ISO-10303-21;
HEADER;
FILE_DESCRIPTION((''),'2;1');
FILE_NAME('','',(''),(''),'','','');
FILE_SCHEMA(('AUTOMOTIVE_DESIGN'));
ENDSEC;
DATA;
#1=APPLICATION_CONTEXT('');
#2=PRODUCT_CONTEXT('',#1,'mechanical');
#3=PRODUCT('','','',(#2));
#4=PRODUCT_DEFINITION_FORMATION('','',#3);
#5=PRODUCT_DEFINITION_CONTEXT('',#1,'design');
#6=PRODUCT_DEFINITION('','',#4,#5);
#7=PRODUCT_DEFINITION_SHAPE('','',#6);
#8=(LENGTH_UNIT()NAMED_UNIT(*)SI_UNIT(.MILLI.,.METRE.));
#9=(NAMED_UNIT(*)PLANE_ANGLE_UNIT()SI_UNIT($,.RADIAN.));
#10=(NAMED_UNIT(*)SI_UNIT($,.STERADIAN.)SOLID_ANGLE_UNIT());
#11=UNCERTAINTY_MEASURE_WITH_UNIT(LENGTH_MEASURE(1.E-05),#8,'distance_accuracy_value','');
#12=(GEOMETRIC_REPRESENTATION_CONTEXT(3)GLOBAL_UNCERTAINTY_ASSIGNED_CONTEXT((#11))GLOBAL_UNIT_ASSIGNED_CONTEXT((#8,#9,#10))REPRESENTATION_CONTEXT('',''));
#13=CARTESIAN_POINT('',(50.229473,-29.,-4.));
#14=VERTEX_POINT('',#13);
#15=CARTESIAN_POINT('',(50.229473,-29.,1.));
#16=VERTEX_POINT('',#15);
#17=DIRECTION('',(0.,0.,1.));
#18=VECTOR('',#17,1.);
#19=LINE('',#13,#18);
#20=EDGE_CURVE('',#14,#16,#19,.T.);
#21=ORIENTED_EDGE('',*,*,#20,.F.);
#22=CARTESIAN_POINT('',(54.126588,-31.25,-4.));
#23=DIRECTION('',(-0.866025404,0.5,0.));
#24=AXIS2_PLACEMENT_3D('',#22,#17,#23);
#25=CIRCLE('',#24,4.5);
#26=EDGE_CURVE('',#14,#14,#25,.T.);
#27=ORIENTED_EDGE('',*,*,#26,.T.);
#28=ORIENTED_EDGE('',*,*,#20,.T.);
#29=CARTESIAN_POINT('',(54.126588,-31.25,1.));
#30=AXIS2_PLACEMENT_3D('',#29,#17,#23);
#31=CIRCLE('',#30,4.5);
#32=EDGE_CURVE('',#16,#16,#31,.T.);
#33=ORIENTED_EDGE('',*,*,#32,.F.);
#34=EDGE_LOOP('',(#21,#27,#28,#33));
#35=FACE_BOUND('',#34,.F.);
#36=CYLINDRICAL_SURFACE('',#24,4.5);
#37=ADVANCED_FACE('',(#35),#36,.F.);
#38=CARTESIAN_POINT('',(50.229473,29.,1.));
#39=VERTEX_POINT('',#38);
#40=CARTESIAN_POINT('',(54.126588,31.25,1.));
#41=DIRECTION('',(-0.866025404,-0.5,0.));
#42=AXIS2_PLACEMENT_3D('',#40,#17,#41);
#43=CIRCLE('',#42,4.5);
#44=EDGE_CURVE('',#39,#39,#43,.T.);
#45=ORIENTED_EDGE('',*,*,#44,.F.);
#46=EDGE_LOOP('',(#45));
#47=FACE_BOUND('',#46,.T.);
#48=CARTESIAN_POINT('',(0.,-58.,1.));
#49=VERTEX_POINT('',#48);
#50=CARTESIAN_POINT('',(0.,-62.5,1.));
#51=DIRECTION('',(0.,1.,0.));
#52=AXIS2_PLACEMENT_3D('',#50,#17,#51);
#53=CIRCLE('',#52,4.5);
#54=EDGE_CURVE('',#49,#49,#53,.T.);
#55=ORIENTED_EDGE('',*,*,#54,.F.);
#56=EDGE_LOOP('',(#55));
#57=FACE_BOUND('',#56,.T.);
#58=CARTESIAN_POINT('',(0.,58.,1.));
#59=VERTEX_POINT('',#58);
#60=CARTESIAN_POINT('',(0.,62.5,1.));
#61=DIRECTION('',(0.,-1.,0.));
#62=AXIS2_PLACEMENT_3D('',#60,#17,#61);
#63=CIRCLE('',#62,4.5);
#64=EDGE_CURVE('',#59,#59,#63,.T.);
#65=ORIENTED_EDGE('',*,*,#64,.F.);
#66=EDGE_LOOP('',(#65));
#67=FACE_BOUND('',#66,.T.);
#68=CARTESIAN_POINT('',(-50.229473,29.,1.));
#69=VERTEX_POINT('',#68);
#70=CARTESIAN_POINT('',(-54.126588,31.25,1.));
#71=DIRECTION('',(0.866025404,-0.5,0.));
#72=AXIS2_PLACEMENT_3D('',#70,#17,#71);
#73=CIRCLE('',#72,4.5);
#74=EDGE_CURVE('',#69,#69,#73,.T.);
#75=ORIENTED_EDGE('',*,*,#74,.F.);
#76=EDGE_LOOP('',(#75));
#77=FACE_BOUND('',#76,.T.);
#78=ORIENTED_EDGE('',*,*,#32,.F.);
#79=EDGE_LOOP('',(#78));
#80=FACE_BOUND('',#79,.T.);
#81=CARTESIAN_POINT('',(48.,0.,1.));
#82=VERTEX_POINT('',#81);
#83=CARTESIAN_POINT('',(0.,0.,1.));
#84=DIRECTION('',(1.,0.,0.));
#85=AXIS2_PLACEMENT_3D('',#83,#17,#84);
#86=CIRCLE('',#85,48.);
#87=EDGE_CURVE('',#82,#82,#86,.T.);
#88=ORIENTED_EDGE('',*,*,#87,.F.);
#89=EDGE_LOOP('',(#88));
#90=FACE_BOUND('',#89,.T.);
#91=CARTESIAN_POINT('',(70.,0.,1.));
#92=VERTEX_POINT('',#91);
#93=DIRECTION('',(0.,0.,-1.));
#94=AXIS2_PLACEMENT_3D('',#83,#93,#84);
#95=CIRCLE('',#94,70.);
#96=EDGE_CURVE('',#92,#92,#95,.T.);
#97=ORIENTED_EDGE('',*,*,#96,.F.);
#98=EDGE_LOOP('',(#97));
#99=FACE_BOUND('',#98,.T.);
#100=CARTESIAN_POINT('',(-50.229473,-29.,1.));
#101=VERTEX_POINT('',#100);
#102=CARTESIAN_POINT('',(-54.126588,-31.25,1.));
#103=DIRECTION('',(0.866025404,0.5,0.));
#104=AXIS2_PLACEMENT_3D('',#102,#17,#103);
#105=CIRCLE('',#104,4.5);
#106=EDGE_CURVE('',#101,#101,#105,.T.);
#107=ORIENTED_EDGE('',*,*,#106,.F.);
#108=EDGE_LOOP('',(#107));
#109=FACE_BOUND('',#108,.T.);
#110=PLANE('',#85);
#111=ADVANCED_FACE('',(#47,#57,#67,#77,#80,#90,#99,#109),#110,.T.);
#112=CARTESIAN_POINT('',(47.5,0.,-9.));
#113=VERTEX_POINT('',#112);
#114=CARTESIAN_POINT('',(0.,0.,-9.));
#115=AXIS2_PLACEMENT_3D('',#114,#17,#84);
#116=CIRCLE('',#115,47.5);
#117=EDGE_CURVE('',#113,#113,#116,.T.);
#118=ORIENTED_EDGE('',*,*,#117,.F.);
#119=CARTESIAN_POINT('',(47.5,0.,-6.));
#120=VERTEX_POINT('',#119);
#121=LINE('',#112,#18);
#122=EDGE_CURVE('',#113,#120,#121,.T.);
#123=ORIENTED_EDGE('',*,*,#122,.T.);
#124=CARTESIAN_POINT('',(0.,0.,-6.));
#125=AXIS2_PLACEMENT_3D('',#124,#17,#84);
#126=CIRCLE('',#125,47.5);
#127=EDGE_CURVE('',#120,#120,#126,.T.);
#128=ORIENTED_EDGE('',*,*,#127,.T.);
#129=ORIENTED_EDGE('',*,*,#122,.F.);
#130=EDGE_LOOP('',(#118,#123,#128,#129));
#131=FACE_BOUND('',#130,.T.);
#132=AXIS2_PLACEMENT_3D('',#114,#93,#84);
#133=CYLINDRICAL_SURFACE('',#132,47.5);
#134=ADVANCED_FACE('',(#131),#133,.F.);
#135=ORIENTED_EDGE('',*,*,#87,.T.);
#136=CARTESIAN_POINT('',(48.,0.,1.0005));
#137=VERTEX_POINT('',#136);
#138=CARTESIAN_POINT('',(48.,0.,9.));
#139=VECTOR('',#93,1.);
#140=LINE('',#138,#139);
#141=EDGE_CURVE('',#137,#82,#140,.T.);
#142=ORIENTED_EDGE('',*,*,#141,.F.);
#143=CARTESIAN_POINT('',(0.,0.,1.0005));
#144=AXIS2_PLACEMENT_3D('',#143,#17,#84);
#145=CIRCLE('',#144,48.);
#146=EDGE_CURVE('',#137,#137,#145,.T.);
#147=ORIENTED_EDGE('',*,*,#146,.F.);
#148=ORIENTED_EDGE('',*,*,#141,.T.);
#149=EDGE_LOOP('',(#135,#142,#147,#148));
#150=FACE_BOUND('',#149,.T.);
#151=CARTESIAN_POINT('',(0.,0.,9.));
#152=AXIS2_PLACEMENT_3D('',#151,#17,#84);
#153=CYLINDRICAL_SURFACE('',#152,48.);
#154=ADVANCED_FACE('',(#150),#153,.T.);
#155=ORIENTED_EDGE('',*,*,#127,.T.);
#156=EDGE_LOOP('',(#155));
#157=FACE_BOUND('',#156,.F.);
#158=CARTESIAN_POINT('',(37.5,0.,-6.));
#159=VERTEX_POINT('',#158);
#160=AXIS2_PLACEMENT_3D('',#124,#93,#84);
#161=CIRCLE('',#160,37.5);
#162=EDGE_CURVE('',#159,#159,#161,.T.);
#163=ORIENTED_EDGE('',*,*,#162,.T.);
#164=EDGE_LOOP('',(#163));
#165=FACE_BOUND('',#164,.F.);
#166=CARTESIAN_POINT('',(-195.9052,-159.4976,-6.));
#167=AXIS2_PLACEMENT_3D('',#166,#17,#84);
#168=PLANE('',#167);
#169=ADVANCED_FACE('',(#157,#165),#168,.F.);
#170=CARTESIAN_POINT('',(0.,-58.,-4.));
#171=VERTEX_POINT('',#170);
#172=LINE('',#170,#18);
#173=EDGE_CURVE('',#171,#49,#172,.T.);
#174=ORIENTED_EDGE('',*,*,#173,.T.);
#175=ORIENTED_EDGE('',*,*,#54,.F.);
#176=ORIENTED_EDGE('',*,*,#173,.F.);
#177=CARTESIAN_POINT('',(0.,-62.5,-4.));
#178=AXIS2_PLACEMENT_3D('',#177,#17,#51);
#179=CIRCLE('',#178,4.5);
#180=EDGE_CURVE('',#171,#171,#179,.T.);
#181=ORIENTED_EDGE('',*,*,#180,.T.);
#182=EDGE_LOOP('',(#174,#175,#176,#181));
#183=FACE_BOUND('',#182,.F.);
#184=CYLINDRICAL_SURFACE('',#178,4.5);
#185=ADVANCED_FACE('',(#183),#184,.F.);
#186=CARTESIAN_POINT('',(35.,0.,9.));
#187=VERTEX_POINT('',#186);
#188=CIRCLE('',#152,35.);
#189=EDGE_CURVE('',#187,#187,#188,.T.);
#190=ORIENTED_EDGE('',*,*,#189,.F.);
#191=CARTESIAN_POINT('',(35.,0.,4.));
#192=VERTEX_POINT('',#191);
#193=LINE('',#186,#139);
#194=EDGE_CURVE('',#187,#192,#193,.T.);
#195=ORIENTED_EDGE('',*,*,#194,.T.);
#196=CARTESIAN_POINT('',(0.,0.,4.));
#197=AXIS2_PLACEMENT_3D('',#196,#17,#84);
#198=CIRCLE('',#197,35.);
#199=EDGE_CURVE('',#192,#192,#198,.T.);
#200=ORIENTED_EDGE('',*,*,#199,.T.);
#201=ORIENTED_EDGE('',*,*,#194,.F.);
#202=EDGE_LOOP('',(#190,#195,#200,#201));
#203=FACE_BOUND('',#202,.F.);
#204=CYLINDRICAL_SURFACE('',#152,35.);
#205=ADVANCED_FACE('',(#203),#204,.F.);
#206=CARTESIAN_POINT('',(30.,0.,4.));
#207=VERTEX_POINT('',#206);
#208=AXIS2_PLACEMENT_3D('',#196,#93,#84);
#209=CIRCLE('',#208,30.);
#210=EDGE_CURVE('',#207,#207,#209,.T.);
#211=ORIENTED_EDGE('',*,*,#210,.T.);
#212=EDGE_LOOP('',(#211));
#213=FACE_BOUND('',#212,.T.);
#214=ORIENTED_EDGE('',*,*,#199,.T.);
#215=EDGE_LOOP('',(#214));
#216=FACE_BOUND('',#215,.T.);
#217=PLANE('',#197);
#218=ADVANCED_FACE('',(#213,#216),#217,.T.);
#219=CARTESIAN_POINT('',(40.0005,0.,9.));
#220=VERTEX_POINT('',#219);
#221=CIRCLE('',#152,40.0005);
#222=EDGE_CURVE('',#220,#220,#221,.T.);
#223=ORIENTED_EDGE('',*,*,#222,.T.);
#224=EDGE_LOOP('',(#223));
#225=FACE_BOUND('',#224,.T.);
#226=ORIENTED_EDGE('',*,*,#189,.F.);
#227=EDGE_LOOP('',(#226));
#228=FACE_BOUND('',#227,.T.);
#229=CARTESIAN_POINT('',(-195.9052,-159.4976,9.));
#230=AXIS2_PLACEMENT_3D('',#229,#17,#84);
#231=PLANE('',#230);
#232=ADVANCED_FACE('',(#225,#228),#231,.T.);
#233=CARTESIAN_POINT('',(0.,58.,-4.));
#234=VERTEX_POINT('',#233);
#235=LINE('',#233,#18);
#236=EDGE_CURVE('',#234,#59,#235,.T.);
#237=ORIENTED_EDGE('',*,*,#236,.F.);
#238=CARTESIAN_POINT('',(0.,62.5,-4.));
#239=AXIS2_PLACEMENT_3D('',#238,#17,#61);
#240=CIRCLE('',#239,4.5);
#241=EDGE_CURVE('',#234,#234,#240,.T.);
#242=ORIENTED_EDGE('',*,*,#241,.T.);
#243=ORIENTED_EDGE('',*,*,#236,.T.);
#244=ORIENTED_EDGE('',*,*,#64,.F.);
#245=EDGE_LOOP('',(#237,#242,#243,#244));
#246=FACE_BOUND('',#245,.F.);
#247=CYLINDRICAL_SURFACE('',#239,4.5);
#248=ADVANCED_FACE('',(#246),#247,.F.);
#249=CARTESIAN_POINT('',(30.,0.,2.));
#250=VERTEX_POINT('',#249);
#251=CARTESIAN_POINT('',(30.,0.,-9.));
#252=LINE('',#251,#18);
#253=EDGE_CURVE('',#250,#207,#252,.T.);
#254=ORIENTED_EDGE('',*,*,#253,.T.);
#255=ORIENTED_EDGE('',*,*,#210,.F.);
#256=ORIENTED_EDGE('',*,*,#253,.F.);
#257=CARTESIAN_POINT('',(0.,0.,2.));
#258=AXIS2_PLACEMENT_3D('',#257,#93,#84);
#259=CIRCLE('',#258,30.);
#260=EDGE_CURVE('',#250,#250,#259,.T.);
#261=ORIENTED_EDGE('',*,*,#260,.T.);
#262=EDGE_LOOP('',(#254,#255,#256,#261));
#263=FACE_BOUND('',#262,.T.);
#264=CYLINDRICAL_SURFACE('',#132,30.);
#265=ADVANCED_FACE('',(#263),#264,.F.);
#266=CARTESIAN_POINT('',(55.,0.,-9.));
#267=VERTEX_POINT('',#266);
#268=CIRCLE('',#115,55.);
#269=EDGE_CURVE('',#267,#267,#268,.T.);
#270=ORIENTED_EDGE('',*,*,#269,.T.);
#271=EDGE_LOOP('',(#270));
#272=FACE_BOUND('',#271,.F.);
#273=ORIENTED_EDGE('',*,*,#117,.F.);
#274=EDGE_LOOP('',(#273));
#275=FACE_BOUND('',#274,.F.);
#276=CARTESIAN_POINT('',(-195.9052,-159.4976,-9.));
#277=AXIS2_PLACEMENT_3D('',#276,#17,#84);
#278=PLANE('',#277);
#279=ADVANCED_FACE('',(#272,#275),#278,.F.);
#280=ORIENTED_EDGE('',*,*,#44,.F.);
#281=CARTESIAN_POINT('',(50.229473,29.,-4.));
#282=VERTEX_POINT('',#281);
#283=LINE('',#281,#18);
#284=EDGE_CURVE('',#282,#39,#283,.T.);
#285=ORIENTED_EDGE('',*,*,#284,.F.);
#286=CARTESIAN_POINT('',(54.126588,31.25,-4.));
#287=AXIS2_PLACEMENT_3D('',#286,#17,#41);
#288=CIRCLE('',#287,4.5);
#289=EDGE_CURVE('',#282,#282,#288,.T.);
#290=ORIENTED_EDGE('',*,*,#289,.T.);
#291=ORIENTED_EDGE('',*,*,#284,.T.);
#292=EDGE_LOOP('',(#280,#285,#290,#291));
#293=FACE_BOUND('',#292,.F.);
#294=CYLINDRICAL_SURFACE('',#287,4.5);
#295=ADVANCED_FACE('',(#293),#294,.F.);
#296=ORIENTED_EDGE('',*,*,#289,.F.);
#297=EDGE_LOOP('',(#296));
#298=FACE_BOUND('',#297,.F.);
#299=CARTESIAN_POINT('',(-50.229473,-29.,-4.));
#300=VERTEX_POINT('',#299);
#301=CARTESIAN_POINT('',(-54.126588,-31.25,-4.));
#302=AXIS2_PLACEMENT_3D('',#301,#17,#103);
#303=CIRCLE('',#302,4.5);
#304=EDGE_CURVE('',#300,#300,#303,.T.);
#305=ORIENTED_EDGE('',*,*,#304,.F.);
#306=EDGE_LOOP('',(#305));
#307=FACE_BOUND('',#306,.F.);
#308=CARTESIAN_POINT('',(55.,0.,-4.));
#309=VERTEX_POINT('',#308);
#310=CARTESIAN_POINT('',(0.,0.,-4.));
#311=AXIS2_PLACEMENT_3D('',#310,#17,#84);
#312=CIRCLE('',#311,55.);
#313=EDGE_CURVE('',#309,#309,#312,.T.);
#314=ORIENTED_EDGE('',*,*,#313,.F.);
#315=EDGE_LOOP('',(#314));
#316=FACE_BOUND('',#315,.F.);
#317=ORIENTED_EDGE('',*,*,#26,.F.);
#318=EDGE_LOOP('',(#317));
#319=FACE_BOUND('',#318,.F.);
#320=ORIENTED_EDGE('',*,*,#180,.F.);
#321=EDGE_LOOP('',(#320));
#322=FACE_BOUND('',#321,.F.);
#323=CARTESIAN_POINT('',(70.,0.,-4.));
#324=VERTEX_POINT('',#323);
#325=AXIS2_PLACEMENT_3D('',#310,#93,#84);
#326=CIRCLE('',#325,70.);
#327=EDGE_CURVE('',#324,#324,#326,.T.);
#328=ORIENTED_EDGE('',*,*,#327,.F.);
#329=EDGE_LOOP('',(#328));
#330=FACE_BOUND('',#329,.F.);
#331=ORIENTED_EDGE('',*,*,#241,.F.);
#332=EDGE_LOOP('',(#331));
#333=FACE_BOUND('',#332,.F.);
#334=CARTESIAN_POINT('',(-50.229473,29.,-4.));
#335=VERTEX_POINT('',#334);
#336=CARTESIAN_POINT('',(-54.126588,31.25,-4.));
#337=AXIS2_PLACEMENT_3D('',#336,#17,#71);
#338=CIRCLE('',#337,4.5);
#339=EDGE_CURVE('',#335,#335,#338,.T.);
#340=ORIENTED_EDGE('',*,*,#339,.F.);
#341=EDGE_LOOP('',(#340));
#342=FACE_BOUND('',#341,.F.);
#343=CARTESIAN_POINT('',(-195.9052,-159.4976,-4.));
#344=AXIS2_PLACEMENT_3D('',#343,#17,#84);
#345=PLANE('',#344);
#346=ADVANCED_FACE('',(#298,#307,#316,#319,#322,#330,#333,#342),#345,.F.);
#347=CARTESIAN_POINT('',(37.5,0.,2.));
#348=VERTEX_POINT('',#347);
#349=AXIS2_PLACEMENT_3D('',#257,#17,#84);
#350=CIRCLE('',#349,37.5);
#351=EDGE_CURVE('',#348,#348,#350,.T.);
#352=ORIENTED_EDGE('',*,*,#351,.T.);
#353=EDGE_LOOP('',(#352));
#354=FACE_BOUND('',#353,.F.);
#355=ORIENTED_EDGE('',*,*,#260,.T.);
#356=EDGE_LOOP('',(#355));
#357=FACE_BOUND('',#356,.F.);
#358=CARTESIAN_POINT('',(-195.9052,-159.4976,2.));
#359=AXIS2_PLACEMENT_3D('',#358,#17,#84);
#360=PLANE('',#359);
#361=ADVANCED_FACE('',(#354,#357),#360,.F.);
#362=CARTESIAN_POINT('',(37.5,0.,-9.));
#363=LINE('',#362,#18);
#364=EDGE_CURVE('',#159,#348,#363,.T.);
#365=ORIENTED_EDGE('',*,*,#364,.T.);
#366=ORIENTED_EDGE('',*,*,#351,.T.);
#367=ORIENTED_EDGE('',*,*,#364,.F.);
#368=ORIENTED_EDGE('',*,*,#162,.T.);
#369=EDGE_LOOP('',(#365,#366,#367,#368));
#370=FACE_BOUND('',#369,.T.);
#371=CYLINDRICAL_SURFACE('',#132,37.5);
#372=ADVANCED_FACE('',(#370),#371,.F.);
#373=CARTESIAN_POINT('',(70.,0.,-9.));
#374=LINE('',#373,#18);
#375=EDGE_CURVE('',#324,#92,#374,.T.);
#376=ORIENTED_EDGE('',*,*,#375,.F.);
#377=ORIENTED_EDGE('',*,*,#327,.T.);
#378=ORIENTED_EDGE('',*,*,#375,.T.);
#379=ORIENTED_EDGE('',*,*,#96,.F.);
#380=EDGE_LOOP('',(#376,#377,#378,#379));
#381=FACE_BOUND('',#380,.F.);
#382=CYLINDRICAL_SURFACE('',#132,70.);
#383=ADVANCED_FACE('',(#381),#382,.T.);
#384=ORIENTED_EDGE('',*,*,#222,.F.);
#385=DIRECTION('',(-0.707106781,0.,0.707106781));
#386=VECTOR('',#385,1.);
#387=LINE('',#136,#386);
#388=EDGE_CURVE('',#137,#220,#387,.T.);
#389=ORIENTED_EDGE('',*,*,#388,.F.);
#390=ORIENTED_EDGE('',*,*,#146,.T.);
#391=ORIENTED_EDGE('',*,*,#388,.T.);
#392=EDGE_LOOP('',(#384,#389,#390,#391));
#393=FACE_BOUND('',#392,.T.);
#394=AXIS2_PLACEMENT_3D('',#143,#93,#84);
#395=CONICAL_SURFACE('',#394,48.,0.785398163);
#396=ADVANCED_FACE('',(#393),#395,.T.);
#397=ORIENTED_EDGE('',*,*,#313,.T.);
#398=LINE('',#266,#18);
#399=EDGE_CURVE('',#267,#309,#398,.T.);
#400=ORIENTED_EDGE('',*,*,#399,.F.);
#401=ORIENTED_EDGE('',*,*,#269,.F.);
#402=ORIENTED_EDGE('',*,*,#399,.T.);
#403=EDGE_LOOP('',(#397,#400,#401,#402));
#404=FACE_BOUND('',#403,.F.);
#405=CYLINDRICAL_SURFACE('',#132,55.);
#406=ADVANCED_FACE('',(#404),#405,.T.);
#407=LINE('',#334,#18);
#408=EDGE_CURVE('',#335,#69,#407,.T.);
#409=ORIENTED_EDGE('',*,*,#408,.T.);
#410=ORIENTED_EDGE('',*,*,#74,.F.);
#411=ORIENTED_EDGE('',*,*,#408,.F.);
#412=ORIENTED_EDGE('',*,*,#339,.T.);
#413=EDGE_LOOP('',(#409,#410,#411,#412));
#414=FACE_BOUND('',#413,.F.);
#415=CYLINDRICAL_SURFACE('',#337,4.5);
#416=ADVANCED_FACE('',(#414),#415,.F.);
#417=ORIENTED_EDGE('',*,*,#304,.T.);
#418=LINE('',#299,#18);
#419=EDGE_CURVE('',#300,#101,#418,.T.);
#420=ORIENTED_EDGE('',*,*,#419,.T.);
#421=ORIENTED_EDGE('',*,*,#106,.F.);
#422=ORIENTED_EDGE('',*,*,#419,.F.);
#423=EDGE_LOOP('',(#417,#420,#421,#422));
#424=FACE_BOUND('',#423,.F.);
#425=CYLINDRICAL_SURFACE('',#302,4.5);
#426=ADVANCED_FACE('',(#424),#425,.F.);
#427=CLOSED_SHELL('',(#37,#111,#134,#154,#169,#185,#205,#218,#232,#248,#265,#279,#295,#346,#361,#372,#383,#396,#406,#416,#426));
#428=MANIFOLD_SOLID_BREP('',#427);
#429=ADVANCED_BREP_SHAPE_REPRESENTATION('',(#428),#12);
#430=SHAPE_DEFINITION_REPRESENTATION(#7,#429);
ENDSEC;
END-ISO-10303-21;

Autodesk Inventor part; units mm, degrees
ref_plane "YZ Plane" through (0, 0, 0) normal (1, 0, 0) x (0, 1, 0)
ref_plane "XZ Plane" through (0, 0, 0) normal (0, 1, 0) x (-1, 0, 0)
ref_plane "XY Plane" through (0, 0, 0) normal (0, 0, 1) x (1, 0, 0)
sketch "Sketch1" plane through (-195.9052, -159.4976, -9) normal (0, 0, 1) x (1, 0, 0)
  circle A0 centre (195.9052, 159.4976) radius 70
  dimension "d29" = 140
extrude "ExtrusionBlind1" add sketch "Sketch1" along normal blind 18
sketch "Sketch2" plane through (-195.9052, -159.4976, -9) normal (0, 0, 1) x (1, 0, 0)
  circle A0 centre (195.9052, 159.4976) radius 55
  circle A1 centre (195.9052, 159.4976) radius 83.1126
  circle A2 centre (195.9052, 159.4976) radius 70 projected
  dimension "d30" = 166.2252
  dimension "d31" = 110
extrude "ExtrusionBlind2" cut sketch "Sketch2" along normal blind 5 contours A1 | A2
sketch "Sketch3" plane through (-195.9052, -159.4976, -9) normal (0, 0, 1) x (1, 0, 0)
  circle A0 centre (195.9052, 159.4976) radius 30
  circle A1 centre (195.9052, 159.4976) radius 55 projected
  dimension "d32" = 60
extrude "ExtrusionThru1" cut sketch "Sketch3" along normal through all contours A0
sketch "Sketch4" plane through (-195.9052, -159.4976, -9) normal (0, 0, 1) x (1, 0, 0)
  circle A0 centre (195.9052, 159.4976) radius 37.5
  circle A1 centre (195.9052, 159.4976) radius 55 projected
  dimension "d33" = 75
extrude "ExtrusionBlind3" cut sketch "Sketch4" along normal blind 11 contours A0
sketch "Sketch5" plane through (-195.9052, -159.4976, -9) normal (0, 0, 1) x (1, 0, 0)
  circle A0 centre (195.9052, 159.4976) radius 47.5
  circle A1 centre (195.9052, 159.4976) radius 55 projected
  dimension "d34" = 95
extrude "ExtrusionBlind4" cut sketch "Sketch5" along normal blind 3 contours A0
sketch "Sketch6" plane through (0, 0, -4) normal (0, 0, -1) x (-1, 0, 0)
  point P0 (0, -62.5)
hole "Hole1" at (0, -62.5, -4) direction (0, 0, 1) diameter 9 end through all
pattern_circular "PolarArray1" count 6 over 360 about axis through (0, 0, -9) along (0, 0, -1) of "Hole1"
sketch "Sketch9" plane through (0, 0, 9) normal (0, 0, 1) x (1, 0, 0)
  circle A0 centre (0, 0) radius 35
  circle A1 centre (0, 0) radius 47.5 projected
  dimension "d35" = 70
extrude "ExtrusionBlind5" cut sketch "Sketch9" against normal blind 5 contours A0
sketch "Sketch10" plane through (0, 0, 9) normal (0, 0, 1) x (1, 0, 0)
  circle A0 centre (0, 0) radius 48
  circle A1 centre (0, 0) radius 87.5498
  circle A2 centre (0, 0) radius 55 projected
  dimension "d36" = 175.0996
  dimension "d37" = 96
extrude "ExtrusionBlind6" cut sketch "Sketch10" against normal blind 8 contours A1 | A2
chamfer "Chamfer1" distance 8 angle 45 1 edges at (-48, 0, 9)
properties part number "7055-192 PART1" material "Steel, Mild"
